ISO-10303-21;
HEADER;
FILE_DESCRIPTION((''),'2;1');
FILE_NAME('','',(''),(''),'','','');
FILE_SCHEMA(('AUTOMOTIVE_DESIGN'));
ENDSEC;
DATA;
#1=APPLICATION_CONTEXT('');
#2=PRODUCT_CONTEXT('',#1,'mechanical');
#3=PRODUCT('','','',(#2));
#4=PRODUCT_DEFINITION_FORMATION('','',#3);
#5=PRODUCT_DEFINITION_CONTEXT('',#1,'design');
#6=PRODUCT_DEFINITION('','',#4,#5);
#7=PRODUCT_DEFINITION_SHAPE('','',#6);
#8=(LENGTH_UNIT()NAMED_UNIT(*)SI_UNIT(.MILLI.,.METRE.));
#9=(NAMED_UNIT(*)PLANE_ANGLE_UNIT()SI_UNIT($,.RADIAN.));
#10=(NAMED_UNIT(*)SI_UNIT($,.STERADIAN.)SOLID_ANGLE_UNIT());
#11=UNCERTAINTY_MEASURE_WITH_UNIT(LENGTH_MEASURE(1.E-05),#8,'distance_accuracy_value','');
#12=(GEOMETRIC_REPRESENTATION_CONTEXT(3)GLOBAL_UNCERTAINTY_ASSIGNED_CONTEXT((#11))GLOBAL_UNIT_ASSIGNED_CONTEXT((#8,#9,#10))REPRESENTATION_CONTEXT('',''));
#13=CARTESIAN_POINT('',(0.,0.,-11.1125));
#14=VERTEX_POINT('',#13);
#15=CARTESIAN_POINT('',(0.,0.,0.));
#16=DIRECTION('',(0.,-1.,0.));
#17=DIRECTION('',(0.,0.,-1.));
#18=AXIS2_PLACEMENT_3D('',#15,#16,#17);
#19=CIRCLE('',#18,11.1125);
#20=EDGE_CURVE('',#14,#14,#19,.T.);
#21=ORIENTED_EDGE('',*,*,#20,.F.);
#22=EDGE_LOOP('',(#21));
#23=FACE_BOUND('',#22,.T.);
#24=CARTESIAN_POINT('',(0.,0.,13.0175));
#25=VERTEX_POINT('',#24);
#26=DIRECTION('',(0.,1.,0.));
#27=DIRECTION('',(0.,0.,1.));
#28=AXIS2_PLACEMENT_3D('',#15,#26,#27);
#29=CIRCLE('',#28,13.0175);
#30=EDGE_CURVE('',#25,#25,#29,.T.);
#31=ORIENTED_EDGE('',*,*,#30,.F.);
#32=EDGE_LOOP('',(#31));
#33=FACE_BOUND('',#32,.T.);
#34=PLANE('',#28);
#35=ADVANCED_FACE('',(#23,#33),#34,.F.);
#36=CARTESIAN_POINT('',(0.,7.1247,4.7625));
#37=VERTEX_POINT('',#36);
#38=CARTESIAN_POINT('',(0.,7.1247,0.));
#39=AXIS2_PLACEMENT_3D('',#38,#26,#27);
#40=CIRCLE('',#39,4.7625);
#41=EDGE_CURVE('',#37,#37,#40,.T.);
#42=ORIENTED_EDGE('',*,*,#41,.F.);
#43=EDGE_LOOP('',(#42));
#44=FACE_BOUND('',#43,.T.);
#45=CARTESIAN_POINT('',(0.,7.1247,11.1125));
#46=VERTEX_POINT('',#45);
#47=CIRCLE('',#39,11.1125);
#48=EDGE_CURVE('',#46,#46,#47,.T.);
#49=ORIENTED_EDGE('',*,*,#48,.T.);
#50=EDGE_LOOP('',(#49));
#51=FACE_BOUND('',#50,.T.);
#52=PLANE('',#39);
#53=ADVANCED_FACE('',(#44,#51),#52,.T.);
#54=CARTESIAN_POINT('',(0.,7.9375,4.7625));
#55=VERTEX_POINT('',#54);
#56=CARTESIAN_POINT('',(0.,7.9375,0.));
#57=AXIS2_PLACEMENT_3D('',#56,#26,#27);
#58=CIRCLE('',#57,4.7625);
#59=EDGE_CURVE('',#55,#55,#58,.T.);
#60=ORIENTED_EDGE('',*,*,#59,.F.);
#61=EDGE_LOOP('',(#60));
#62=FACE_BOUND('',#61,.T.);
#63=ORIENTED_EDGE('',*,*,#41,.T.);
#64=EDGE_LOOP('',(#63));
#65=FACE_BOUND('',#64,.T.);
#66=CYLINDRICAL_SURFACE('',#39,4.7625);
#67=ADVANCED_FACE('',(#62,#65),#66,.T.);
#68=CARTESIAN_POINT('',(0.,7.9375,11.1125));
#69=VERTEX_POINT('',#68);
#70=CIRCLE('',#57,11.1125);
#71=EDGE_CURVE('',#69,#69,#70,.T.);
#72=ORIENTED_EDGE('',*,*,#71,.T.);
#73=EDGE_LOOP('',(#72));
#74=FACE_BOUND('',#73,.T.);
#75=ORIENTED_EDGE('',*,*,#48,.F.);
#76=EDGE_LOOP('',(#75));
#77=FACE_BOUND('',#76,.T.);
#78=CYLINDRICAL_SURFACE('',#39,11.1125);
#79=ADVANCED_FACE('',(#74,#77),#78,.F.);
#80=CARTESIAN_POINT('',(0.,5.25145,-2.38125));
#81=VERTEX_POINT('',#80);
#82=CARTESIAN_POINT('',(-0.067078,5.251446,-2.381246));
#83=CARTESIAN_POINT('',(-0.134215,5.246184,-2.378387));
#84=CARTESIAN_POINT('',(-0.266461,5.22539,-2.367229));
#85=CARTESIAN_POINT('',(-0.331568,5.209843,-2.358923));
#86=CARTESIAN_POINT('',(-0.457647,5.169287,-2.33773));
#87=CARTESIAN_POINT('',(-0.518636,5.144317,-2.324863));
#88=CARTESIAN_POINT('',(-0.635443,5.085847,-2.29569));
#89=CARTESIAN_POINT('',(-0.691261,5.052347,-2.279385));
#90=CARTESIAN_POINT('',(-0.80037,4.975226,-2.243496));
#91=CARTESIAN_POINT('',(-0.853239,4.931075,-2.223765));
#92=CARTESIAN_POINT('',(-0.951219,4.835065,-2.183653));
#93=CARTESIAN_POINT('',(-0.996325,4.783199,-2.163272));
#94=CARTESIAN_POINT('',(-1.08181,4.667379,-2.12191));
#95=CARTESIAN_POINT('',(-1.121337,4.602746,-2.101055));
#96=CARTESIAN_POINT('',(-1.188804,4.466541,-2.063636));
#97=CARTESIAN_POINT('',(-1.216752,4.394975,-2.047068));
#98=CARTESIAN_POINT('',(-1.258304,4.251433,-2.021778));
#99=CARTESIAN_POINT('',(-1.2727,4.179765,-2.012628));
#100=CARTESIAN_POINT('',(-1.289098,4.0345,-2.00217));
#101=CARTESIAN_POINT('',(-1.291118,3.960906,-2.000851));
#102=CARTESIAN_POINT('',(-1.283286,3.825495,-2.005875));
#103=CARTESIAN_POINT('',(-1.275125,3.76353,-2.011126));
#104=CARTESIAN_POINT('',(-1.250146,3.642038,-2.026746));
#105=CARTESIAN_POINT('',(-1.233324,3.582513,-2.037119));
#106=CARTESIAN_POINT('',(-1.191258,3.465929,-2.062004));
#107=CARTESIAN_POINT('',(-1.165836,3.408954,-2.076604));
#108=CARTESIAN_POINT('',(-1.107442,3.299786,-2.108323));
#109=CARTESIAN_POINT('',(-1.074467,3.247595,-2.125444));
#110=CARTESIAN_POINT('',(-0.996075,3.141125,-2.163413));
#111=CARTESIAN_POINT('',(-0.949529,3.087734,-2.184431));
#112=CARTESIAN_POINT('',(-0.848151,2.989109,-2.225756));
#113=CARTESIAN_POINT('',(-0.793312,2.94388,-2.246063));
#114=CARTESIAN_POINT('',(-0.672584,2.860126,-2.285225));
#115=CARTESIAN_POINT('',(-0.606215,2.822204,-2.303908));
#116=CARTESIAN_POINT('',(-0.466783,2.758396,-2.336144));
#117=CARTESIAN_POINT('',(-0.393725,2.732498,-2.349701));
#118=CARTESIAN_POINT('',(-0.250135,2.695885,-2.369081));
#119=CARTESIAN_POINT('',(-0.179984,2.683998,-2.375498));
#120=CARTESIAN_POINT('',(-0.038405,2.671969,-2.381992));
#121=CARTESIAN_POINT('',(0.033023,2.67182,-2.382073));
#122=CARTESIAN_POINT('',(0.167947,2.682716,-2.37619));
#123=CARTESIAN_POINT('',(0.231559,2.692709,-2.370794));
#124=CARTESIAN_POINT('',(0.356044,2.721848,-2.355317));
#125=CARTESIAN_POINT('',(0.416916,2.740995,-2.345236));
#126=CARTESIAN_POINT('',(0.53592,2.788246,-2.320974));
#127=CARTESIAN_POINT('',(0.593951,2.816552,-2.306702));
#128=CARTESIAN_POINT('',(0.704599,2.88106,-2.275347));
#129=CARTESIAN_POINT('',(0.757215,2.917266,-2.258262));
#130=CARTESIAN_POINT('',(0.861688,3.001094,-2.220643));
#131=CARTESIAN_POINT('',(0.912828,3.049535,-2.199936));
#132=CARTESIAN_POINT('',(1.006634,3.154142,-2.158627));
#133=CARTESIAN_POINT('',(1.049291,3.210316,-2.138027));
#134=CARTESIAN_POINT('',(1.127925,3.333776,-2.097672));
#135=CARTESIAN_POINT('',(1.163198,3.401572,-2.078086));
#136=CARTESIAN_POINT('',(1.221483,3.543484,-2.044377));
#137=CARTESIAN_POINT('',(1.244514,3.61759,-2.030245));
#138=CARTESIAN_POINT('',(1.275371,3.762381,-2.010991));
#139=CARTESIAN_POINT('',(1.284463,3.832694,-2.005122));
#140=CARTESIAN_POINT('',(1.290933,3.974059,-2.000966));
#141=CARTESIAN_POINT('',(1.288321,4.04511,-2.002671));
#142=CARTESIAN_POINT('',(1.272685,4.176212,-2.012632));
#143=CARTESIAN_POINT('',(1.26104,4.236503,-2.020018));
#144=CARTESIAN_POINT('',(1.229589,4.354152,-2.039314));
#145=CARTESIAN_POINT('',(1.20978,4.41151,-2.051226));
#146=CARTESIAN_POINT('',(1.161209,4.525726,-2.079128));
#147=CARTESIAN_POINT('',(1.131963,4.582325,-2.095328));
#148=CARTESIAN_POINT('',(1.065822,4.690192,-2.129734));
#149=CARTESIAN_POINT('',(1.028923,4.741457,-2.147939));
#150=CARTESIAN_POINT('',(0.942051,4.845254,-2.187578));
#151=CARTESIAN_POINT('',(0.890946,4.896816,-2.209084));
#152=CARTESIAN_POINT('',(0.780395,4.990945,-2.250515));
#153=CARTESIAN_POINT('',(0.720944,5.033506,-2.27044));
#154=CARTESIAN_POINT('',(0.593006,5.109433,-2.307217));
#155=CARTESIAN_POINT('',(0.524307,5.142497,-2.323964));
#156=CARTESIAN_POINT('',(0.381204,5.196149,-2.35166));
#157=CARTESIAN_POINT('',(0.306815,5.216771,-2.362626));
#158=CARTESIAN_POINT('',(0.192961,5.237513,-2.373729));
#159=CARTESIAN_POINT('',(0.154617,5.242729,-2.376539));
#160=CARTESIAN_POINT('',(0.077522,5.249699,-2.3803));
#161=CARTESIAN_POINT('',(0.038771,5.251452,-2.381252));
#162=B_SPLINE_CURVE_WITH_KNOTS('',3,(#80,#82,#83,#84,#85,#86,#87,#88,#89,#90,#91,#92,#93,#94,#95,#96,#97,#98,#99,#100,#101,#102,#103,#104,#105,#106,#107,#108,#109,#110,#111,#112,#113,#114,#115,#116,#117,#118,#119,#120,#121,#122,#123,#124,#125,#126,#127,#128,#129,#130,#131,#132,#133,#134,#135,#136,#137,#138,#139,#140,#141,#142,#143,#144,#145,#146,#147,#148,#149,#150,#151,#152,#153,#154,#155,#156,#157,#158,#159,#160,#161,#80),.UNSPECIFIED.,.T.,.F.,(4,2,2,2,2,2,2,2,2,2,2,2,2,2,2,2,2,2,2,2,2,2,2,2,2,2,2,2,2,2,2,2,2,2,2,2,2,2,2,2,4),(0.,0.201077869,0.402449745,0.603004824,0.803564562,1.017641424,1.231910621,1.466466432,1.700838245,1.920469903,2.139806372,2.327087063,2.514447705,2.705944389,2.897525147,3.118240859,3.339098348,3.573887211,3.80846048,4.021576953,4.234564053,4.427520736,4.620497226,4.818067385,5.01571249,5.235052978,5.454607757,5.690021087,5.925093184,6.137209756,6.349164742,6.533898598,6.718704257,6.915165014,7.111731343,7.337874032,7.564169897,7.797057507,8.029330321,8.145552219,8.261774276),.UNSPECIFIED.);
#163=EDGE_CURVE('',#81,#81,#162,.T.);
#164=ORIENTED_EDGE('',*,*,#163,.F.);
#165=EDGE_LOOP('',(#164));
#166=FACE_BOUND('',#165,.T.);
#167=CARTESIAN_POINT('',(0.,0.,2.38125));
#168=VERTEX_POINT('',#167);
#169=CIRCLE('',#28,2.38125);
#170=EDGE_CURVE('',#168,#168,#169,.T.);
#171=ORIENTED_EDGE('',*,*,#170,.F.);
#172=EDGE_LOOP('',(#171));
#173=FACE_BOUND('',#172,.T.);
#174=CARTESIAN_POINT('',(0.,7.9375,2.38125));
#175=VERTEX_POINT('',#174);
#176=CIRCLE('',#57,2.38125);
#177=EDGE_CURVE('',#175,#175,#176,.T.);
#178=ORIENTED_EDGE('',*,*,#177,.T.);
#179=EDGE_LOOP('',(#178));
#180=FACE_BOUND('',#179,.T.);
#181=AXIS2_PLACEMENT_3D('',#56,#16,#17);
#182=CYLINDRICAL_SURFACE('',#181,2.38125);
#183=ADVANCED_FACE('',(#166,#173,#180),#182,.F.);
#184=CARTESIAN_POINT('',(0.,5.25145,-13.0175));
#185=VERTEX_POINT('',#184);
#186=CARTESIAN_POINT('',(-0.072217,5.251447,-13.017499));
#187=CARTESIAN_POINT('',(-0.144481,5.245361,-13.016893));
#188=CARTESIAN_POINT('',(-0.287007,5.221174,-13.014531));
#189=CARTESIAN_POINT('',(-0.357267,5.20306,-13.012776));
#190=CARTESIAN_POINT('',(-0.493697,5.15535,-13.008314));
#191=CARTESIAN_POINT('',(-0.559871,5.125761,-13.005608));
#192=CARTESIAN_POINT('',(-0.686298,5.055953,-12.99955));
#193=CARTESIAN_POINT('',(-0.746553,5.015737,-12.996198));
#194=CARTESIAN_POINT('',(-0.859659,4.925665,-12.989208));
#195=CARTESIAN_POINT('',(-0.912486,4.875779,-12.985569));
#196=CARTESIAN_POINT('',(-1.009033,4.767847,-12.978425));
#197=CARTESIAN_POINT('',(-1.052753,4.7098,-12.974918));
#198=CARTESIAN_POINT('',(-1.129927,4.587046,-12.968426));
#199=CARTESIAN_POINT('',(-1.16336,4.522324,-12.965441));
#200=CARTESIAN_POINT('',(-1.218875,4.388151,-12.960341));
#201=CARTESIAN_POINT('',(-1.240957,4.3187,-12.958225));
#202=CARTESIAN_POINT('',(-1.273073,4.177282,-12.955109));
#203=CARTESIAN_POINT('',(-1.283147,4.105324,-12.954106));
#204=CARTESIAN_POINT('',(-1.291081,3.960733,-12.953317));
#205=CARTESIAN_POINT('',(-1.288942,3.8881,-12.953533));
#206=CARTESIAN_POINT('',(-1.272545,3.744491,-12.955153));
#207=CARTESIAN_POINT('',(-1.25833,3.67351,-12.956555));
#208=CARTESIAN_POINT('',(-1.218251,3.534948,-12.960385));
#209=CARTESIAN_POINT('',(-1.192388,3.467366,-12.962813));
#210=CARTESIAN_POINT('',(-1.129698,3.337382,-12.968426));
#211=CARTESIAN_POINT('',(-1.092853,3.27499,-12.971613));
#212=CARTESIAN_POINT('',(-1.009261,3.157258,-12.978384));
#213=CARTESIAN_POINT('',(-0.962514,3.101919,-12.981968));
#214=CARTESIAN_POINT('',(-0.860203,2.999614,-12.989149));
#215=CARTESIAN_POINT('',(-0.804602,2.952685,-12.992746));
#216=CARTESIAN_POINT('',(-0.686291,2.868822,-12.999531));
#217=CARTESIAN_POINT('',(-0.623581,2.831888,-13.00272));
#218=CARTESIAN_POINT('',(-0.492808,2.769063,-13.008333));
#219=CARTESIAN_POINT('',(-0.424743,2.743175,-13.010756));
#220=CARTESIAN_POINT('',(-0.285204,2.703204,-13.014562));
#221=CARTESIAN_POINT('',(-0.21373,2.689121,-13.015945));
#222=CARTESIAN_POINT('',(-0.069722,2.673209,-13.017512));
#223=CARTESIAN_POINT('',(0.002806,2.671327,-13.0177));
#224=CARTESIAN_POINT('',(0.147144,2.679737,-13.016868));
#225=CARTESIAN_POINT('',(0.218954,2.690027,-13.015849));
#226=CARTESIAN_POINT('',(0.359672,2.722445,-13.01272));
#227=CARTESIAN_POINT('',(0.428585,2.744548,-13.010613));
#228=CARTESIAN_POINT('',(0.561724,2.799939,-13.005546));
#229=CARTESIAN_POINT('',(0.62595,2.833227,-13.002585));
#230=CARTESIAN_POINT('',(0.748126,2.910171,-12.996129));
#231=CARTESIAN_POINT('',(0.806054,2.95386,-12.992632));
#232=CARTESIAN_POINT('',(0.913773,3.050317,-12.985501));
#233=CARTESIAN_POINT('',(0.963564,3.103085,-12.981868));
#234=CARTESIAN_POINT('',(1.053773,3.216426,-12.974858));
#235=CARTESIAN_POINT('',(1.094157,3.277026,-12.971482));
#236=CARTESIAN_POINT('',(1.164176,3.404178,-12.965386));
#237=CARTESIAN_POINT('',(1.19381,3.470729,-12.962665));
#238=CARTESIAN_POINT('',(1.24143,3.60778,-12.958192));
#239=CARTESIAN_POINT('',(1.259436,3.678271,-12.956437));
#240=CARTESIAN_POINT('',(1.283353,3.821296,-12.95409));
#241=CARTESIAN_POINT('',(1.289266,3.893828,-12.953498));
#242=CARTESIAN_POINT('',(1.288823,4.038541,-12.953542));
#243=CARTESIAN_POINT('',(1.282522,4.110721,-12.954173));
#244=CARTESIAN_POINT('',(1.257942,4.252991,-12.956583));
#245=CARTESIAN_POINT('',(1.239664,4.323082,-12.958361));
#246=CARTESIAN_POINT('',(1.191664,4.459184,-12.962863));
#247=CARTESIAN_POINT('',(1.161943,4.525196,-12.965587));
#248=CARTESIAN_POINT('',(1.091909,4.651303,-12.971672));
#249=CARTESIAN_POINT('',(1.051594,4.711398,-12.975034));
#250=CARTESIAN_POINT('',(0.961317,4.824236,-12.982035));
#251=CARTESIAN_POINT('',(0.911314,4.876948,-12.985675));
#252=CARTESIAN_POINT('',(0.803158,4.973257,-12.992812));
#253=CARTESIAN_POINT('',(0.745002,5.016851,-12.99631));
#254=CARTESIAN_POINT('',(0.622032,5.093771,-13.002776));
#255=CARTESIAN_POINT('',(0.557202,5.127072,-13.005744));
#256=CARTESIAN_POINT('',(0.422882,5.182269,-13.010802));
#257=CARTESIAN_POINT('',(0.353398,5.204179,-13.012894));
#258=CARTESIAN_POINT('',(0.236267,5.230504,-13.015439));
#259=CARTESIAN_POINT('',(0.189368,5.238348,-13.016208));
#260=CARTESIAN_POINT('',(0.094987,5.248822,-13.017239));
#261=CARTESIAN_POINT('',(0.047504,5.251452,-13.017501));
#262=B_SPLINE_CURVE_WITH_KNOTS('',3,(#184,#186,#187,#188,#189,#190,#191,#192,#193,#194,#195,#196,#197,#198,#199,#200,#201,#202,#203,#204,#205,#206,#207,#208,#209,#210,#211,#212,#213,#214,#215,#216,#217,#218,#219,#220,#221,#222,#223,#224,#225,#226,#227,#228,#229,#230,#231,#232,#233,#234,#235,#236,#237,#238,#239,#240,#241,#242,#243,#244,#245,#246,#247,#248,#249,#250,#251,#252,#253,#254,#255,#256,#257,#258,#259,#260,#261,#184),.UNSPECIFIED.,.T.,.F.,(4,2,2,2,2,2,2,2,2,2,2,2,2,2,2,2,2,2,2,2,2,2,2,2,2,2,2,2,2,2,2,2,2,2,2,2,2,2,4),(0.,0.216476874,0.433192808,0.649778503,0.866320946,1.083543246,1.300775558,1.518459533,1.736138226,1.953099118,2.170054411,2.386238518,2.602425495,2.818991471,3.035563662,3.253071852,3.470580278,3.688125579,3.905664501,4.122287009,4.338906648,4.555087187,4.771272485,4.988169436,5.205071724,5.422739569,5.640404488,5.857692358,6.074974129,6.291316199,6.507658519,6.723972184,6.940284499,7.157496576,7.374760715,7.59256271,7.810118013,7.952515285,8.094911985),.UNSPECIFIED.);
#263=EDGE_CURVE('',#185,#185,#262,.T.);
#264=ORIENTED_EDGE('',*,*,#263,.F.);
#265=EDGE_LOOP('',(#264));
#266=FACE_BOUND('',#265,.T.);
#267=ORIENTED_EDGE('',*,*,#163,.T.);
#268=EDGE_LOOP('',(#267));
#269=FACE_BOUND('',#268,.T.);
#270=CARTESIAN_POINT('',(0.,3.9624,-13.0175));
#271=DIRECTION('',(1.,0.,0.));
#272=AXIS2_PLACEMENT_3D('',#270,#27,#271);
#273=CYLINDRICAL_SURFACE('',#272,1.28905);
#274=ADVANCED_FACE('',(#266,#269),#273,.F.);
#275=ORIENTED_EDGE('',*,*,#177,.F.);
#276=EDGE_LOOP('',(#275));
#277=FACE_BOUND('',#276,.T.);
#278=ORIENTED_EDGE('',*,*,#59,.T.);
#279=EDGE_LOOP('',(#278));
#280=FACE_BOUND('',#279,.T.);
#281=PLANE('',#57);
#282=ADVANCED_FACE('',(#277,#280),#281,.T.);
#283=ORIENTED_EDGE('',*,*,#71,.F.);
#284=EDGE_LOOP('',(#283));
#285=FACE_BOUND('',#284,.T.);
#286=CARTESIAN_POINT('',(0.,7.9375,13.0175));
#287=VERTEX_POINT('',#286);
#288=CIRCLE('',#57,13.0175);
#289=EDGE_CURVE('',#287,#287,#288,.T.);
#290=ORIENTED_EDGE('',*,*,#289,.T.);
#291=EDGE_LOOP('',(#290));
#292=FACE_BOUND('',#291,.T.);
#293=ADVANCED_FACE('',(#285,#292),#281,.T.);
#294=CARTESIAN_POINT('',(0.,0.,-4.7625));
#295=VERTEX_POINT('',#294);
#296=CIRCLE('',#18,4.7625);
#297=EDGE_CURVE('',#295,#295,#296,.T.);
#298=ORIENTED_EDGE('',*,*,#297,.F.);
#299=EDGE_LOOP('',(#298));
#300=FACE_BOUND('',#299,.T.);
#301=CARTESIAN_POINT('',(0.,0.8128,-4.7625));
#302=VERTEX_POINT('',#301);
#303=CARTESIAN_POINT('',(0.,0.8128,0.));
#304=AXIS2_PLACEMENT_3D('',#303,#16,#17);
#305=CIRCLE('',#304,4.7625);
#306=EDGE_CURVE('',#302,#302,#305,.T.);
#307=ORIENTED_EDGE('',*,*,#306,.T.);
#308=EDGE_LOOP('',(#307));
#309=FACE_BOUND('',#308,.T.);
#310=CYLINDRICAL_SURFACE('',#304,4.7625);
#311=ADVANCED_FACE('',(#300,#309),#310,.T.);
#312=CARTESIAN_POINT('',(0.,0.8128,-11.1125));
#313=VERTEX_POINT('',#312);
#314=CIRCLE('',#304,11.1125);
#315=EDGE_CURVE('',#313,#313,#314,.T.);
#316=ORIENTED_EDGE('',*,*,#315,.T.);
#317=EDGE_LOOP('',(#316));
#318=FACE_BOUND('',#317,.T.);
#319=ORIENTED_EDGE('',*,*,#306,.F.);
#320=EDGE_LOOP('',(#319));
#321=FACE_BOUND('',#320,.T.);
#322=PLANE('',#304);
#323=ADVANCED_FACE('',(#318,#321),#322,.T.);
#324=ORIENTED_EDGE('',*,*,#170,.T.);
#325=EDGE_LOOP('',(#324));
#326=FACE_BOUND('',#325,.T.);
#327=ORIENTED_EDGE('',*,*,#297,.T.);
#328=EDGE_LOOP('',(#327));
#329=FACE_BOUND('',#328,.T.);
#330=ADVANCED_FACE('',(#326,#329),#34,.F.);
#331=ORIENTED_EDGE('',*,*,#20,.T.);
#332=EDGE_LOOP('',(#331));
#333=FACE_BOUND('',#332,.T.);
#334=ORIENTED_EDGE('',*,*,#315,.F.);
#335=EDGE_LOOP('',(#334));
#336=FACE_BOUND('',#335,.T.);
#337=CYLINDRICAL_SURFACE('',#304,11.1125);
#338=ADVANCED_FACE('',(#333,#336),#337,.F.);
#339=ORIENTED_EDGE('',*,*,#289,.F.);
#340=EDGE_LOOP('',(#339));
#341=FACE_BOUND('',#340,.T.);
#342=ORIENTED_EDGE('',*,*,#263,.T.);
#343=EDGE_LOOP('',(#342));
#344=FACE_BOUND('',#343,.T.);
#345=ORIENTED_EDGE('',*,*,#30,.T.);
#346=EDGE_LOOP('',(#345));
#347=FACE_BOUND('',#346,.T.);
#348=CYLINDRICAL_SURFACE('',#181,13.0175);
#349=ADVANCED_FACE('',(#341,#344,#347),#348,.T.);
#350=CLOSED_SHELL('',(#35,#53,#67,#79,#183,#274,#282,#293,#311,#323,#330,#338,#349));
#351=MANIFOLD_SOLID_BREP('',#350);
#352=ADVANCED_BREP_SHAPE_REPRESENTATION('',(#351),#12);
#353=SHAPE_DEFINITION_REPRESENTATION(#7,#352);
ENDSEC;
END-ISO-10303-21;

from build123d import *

# Parameters (mm, degrees)
SKETCH1_R           = 13.0175
SKETCH1_R_2         = 2.38125
BOSS_EXTRUDE1_DEPTH = 7.9375
SKETCH2_R           = 11.1125
SKETCH2_R_2         = 4.7625
CUT_EXTRUDE1_DEPTH  = 0.8128
SKETCH3_R           = 11.1125
SKETCH3_R_2         = 4.7625
CUT_EXTRUDE2_DEPTH  = 0.8128
SKETCH4_R           = 1.28905
CUT_EXTRUDE3_DEPTH  = 14.0175


with BuildPart() as part:
    # Sketch1 → Boss-Extrude1 (new body)
    with BuildSketch(Plane(origin=(0, 0, 0), x_dir=(1, 0, 0), z_dir=(0, 1, 0))):
        Circle(SKETCH1_R)
        Circle(SKETCH1_R_2, mode=Mode.SUBTRACT)
    extrude(amount=BOSS_EXTRUDE1_DEPTH)

    # Sketch2 → Cut-Extrude1 (cut)
    with BuildSketch(Plane(origin=(0, 7.9375, 0), x_dir=(1, 0, 0), z_dir=(0, 1, 0))):
        Circle(SKETCH2_R)
        Circle(SKETCH2_R_2, mode=Mode.SUBTRACT)
    extrude(amount=-CUT_EXTRUDE1_DEPTH, mode=Mode.SUBTRACT)

    # Sketch3 → Cut-Extrude2 (cut)
    with BuildSketch(Plane.XZ):
        Circle(SKETCH3_R)
        Circle(SKETCH3_R_2, mode=Mode.SUBTRACT)
    extrude(amount=-CUT_EXTRUDE2_DEPTH, mode=Mode.SUBTRACT)

    # Sketch4 → Cut-Extrude3 (cut, through all)
    with BuildSketch(Plane.XY):
        with Locations((0, 3.9624)):
            Circle(SKETCH4_R)
    extrude(amount=-CUT_EXTRUDE3_DEPTH, mode=Mode.SUBTRACT)


solid = part.part
